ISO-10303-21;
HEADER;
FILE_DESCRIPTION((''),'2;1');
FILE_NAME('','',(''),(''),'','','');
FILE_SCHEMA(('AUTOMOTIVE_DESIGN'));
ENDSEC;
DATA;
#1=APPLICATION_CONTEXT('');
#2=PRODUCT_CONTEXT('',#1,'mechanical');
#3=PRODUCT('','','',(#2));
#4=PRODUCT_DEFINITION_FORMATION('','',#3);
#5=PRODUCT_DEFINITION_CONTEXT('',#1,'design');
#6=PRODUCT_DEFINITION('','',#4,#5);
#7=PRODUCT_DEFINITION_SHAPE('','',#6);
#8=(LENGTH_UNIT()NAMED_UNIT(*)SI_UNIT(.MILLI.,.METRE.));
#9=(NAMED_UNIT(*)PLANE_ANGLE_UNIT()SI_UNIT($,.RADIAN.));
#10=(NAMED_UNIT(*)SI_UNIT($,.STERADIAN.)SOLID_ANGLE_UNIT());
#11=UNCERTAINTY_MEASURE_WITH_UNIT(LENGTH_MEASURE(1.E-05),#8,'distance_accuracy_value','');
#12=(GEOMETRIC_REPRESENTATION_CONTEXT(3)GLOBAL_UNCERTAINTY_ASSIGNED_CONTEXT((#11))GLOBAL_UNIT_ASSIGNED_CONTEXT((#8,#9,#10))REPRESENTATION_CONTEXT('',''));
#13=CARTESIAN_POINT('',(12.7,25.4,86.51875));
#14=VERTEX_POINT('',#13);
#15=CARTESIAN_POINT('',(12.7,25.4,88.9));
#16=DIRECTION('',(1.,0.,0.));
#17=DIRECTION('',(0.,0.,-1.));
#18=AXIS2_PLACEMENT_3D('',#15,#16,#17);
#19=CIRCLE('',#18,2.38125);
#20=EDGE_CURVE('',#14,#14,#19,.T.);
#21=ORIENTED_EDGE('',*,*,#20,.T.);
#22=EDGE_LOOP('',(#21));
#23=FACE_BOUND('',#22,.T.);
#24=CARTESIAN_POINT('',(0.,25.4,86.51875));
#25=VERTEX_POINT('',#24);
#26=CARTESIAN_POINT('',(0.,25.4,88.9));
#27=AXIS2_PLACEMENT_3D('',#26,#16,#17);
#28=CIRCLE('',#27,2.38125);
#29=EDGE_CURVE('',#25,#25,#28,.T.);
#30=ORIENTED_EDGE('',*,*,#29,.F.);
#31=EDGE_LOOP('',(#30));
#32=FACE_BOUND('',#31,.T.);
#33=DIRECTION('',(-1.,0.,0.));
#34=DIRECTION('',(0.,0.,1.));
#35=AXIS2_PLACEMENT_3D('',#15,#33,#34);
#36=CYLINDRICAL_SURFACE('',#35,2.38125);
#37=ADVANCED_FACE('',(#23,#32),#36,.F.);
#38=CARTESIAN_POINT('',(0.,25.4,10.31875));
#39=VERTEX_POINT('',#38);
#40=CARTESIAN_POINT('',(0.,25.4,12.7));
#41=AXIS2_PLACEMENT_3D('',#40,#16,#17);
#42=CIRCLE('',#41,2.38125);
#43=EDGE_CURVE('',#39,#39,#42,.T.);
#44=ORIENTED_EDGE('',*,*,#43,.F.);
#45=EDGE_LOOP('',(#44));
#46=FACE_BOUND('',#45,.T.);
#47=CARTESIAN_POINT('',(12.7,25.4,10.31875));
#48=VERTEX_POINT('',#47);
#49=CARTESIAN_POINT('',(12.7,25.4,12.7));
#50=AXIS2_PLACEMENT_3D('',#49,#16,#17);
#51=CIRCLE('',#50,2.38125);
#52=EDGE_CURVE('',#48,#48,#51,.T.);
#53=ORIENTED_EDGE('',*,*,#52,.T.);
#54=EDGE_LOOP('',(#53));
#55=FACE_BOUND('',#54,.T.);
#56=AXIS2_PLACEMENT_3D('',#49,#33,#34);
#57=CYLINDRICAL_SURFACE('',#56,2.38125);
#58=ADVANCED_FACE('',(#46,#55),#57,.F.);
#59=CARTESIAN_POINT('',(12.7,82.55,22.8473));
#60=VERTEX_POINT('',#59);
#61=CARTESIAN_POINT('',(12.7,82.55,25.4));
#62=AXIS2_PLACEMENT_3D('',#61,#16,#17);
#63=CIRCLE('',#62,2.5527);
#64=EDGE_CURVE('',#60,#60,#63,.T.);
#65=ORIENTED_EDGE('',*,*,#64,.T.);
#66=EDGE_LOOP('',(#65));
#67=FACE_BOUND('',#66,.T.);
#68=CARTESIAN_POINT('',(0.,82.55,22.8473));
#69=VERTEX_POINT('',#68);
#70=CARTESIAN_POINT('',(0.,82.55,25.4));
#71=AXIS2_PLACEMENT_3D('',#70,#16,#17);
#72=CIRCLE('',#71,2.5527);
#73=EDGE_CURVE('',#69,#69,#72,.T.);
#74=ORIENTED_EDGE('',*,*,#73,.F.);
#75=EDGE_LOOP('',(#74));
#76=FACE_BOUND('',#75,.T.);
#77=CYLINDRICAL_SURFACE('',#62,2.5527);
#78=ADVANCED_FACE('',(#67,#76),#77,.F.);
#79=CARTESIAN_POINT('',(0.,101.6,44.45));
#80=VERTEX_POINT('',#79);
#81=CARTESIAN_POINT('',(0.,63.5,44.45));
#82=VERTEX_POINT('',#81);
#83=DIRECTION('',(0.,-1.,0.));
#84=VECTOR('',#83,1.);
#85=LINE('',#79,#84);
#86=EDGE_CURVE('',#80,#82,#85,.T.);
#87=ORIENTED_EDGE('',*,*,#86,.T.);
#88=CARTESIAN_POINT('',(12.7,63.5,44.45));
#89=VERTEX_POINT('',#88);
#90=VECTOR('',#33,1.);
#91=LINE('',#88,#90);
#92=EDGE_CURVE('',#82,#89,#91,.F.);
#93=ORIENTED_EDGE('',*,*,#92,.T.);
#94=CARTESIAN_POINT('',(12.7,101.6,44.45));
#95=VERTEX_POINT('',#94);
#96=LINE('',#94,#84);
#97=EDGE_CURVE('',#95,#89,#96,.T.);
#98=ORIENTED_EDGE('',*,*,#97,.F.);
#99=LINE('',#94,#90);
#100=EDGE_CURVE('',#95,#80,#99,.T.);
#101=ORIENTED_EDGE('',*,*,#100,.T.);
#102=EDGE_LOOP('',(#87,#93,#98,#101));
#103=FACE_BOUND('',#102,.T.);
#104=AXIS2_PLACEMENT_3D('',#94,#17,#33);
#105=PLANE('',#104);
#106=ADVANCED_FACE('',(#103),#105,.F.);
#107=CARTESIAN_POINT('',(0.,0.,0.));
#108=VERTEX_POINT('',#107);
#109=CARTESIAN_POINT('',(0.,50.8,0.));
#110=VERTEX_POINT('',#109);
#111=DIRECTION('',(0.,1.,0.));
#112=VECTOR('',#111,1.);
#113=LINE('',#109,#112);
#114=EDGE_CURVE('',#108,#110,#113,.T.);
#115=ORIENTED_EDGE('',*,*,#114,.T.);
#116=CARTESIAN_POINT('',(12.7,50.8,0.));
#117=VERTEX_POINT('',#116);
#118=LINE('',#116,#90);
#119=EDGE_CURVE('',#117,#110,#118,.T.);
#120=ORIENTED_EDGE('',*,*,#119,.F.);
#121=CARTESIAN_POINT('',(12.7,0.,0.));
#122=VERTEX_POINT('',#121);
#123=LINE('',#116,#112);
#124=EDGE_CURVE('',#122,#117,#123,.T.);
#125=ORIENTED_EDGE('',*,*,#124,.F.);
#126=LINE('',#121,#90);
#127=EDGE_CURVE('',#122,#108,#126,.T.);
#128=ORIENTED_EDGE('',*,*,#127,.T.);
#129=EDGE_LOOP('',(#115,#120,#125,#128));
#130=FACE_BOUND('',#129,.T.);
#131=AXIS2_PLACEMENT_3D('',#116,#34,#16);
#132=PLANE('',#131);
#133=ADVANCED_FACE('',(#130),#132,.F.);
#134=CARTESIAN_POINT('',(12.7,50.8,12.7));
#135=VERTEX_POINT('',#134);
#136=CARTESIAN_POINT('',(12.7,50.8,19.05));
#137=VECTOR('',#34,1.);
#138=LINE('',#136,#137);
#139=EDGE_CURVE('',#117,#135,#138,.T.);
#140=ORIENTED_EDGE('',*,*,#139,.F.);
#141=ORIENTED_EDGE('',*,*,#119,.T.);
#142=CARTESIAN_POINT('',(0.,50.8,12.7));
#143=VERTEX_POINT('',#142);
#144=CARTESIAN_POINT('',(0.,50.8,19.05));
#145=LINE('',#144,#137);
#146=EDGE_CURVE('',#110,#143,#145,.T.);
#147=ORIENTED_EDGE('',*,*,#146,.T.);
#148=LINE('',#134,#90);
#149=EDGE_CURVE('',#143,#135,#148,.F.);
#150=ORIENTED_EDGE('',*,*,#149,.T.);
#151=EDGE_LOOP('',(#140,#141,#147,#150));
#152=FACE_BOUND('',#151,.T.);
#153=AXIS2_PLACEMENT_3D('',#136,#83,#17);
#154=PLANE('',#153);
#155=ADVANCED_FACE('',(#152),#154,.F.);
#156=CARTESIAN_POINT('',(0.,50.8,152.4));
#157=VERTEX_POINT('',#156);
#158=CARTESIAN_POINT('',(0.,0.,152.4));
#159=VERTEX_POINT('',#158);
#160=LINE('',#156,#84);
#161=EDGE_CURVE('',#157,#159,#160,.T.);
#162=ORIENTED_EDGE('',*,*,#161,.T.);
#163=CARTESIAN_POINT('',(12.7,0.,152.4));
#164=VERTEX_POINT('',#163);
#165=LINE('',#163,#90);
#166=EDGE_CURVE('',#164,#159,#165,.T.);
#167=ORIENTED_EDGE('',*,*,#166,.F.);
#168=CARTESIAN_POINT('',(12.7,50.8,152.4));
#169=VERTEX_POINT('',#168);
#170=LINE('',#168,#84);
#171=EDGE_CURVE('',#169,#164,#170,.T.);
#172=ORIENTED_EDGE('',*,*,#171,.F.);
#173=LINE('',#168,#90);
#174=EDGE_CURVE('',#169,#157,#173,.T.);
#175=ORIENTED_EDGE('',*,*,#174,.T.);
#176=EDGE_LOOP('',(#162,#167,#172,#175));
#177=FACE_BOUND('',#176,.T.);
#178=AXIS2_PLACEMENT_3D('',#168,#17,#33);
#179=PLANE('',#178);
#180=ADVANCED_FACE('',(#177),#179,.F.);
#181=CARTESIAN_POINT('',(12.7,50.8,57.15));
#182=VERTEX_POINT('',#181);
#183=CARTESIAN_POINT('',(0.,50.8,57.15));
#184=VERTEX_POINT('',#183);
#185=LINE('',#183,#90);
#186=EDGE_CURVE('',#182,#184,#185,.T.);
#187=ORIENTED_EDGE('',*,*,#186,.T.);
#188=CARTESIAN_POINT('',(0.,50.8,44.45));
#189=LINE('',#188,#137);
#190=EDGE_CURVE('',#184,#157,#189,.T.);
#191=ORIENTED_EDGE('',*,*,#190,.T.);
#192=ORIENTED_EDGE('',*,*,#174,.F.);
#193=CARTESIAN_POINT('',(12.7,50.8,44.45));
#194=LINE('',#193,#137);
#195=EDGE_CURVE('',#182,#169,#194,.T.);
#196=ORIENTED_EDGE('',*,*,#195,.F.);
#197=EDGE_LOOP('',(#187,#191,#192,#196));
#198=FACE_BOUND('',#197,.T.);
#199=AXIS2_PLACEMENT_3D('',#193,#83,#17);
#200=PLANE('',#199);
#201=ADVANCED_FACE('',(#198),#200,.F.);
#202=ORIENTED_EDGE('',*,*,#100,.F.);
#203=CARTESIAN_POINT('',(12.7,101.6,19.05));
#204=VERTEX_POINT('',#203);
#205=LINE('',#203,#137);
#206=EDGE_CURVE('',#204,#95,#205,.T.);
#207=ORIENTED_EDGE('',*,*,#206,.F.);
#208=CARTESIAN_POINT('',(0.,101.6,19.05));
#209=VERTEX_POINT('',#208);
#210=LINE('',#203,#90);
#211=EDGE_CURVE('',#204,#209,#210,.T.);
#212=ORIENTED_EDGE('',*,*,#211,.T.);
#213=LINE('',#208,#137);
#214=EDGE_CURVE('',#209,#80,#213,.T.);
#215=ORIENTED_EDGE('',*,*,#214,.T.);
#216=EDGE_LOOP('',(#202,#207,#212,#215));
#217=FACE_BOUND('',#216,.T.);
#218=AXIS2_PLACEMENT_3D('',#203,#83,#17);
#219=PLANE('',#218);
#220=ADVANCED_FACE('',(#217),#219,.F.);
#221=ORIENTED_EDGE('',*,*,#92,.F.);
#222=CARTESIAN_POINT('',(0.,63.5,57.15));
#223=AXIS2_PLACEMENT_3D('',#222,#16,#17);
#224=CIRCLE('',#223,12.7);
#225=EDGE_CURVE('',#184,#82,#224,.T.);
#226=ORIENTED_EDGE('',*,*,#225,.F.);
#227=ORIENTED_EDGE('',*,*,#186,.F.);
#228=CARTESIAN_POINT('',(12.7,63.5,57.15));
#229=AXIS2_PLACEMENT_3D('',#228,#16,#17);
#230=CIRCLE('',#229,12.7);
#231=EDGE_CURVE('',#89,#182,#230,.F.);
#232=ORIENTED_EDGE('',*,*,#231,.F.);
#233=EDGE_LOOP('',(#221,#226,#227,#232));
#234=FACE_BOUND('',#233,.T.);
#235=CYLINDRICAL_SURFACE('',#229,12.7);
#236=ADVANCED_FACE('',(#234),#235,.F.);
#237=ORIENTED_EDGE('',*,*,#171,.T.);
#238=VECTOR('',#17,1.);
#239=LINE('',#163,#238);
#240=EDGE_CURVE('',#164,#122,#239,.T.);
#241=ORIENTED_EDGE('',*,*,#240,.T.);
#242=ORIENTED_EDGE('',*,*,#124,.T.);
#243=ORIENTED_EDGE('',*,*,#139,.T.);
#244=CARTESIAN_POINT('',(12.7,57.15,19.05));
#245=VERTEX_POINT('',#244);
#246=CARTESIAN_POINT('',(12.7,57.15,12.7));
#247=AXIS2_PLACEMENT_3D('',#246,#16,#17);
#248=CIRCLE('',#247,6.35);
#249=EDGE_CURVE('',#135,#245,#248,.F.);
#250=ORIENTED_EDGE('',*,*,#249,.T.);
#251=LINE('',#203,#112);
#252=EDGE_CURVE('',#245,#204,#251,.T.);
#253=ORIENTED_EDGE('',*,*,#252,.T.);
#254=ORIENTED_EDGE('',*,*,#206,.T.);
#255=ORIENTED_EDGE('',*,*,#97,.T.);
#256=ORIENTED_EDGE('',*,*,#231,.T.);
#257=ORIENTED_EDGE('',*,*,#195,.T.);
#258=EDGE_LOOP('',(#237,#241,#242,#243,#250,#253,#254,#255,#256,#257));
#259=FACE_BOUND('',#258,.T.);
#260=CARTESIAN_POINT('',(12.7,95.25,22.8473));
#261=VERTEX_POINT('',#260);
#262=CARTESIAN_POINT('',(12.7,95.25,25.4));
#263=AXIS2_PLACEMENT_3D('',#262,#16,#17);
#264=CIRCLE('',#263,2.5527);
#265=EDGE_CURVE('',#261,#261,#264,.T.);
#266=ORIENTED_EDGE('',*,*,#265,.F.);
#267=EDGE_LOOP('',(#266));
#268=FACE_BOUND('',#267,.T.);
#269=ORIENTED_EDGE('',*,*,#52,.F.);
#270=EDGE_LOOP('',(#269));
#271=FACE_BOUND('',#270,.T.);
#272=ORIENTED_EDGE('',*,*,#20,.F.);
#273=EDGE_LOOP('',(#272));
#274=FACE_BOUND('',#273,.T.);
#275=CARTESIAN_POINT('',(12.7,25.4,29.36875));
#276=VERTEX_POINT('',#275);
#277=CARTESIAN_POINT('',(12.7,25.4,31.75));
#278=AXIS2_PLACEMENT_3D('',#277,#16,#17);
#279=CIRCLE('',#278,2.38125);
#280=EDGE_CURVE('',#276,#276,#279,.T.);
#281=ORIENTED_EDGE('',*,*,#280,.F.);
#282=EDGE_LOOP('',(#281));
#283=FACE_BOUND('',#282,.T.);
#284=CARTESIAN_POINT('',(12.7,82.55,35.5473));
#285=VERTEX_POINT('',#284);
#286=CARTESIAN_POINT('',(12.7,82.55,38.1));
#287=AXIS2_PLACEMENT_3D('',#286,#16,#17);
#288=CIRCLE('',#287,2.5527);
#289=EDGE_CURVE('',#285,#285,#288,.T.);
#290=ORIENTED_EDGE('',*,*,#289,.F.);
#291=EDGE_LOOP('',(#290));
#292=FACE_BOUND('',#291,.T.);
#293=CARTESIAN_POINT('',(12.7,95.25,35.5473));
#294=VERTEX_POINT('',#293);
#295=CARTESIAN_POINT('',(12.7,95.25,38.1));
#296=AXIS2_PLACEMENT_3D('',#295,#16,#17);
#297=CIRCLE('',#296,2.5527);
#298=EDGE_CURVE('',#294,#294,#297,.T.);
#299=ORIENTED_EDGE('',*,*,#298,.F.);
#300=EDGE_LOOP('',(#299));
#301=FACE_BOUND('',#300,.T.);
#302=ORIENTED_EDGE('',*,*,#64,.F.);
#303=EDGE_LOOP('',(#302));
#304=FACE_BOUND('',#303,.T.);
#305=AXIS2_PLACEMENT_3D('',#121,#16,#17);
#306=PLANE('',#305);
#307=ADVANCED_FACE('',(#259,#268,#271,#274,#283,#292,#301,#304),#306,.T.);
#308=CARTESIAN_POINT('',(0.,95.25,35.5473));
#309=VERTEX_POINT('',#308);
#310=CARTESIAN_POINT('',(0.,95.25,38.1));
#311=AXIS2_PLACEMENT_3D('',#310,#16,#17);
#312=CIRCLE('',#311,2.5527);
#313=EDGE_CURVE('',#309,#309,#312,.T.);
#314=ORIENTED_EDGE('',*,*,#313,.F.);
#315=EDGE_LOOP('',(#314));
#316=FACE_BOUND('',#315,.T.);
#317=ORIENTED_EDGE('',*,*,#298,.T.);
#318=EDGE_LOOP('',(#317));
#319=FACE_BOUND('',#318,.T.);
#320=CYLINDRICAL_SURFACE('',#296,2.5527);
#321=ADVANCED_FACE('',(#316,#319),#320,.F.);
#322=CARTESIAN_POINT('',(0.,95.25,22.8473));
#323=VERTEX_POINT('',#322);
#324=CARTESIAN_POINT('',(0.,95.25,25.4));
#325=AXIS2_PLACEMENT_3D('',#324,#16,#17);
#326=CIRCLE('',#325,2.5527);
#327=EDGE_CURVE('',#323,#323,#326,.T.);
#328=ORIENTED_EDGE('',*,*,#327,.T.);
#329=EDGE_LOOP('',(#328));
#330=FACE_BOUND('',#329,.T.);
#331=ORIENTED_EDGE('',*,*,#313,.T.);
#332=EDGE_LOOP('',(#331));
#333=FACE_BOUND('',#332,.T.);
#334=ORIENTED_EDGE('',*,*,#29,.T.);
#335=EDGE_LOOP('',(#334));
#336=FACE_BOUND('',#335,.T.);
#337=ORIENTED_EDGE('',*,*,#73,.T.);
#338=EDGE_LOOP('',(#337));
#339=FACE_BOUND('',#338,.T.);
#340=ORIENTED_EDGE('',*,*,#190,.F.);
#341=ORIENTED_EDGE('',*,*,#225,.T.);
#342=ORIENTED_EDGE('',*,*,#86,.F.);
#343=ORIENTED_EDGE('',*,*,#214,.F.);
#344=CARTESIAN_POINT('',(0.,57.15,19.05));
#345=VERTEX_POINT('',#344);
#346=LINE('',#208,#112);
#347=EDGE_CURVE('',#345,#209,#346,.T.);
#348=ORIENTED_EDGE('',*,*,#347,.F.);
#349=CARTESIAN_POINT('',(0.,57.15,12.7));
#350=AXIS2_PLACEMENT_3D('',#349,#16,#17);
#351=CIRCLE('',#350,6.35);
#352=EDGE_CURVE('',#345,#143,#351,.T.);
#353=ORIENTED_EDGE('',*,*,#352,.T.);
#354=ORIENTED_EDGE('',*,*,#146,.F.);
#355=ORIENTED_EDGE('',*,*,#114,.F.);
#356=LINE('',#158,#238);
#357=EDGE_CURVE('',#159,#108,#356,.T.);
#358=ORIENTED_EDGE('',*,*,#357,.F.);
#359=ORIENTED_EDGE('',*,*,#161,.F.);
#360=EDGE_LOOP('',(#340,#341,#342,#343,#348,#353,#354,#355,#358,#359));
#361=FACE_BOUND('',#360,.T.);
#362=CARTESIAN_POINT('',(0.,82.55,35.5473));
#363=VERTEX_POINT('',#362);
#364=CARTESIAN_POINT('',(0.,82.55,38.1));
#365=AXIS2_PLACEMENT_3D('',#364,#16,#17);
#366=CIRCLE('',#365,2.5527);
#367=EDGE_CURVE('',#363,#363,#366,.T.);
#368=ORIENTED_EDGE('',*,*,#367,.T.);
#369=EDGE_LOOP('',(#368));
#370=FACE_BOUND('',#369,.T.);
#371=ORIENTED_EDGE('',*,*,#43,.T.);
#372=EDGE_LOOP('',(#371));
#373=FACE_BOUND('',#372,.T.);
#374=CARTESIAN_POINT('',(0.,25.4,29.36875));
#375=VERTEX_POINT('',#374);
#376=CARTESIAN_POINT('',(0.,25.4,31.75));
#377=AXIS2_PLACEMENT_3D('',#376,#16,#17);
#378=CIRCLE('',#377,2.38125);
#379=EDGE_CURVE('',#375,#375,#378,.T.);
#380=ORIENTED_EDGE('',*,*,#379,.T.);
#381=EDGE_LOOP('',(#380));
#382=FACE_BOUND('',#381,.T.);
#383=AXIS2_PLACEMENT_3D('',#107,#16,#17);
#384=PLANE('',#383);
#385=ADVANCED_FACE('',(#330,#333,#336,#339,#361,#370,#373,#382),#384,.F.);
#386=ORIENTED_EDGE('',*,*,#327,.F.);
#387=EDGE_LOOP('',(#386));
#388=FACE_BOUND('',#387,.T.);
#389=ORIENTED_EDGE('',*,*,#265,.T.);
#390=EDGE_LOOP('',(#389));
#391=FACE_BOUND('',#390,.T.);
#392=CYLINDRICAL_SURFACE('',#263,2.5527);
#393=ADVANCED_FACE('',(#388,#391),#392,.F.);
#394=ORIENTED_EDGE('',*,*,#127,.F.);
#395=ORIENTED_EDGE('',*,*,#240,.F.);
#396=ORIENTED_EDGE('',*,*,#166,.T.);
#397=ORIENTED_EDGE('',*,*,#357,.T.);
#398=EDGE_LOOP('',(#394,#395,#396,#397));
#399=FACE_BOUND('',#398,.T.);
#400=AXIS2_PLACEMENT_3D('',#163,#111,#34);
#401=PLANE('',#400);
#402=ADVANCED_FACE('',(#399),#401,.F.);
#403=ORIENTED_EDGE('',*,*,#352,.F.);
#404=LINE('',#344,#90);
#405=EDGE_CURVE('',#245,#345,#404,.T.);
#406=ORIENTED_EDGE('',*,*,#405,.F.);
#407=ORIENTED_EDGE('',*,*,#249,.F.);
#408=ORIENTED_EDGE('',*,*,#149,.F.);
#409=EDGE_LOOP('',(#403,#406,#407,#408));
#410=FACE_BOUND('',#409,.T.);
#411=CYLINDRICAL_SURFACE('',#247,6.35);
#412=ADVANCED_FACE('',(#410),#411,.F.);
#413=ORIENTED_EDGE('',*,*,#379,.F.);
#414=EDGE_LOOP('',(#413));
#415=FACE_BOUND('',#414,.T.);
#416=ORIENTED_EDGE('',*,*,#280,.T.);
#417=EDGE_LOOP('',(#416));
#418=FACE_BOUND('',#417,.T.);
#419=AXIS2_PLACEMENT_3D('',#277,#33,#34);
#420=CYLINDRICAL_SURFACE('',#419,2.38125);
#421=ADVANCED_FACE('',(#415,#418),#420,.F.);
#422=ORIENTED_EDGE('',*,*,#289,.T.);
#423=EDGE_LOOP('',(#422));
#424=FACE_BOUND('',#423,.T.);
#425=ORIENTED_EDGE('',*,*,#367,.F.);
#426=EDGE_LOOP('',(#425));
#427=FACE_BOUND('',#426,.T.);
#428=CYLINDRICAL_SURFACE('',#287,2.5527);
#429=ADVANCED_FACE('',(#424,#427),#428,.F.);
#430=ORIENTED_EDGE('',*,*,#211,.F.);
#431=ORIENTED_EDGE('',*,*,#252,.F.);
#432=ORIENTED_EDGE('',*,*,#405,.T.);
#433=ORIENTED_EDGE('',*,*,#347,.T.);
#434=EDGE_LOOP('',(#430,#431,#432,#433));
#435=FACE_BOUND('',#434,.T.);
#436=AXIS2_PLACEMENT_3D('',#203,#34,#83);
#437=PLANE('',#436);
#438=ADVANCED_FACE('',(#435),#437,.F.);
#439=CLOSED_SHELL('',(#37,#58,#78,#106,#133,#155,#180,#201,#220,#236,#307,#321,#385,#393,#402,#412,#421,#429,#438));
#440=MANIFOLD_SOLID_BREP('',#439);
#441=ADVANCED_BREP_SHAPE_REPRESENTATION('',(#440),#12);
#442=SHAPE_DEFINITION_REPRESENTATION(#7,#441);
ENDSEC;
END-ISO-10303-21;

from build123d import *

# Parameters (mm, degrees)
SKETCH1_R              = 2.38125
BOSS_EXTRUDE1_DEPTH    = 12.7
F_10_CLEARANCE_HOLE1_D = 5.1054
FILLET1_R              = 12.7
FILLET2_R              = 6.35


with BuildPart() as part:
    # Sketch1 → Boss-Extrude1 (new body)
    with BuildSketch(Plane(origin=(0, 0, 0), x_dir=(0, 0, -1), z_dir=(1, 0, 0))):
        Polygon((-19.05, 101.6), (-44.45, 101.6), (-44.45, 50.8), (-152.4, 50.8), (-152.4, 0), (0, 0), (0, 50.8), (-19.05, 50.8), align=None)
        with Locations((-88.9, 25.4)):
            Circle(SKETCH1_R, mode=Mode.SUBTRACT)
        with Locations((-31.75, 25.4)):
            Circle(SKETCH1_R, mode=Mode.SUBTRACT)
        with Locations((-12.7, 25.4)):
            Circle(SKETCH1_R, mode=Mode.SUBTRACT)
    extrude(amount=BOSS_EXTRUDE1_DEPTH)

    # #10 Clearance Hole1 (through all)
    with Locations(Plane(origin=(12.7, 0, 0), x_dir=(0, 0, -1), z_dir=(1, 0, 0))):
        with Locations((-38.1, 95.25), (-25.4, 95.25), (-25.4, 82.55), (-38.1, 82.55)):
            Hole(F_10_CLEARANCE_HOLE1_D / 2)

    # Fillet1
    fillet1_edges = [part.edges().sort_by_distance(p)[0] for p in [
        (6.35, 50.8, 44.45),
    ]]
    fillet(fillet1_edges, radius=FILLET1_R)

    # Fillet2
    fillet2_edges = [part.edges().sort_by_distance(p)[0] for p in [
        (6.35, 50.8, 19.05),
    ]]
    fillet(fillet2_edges, radius=FILLET2_R)


solid = part.part
